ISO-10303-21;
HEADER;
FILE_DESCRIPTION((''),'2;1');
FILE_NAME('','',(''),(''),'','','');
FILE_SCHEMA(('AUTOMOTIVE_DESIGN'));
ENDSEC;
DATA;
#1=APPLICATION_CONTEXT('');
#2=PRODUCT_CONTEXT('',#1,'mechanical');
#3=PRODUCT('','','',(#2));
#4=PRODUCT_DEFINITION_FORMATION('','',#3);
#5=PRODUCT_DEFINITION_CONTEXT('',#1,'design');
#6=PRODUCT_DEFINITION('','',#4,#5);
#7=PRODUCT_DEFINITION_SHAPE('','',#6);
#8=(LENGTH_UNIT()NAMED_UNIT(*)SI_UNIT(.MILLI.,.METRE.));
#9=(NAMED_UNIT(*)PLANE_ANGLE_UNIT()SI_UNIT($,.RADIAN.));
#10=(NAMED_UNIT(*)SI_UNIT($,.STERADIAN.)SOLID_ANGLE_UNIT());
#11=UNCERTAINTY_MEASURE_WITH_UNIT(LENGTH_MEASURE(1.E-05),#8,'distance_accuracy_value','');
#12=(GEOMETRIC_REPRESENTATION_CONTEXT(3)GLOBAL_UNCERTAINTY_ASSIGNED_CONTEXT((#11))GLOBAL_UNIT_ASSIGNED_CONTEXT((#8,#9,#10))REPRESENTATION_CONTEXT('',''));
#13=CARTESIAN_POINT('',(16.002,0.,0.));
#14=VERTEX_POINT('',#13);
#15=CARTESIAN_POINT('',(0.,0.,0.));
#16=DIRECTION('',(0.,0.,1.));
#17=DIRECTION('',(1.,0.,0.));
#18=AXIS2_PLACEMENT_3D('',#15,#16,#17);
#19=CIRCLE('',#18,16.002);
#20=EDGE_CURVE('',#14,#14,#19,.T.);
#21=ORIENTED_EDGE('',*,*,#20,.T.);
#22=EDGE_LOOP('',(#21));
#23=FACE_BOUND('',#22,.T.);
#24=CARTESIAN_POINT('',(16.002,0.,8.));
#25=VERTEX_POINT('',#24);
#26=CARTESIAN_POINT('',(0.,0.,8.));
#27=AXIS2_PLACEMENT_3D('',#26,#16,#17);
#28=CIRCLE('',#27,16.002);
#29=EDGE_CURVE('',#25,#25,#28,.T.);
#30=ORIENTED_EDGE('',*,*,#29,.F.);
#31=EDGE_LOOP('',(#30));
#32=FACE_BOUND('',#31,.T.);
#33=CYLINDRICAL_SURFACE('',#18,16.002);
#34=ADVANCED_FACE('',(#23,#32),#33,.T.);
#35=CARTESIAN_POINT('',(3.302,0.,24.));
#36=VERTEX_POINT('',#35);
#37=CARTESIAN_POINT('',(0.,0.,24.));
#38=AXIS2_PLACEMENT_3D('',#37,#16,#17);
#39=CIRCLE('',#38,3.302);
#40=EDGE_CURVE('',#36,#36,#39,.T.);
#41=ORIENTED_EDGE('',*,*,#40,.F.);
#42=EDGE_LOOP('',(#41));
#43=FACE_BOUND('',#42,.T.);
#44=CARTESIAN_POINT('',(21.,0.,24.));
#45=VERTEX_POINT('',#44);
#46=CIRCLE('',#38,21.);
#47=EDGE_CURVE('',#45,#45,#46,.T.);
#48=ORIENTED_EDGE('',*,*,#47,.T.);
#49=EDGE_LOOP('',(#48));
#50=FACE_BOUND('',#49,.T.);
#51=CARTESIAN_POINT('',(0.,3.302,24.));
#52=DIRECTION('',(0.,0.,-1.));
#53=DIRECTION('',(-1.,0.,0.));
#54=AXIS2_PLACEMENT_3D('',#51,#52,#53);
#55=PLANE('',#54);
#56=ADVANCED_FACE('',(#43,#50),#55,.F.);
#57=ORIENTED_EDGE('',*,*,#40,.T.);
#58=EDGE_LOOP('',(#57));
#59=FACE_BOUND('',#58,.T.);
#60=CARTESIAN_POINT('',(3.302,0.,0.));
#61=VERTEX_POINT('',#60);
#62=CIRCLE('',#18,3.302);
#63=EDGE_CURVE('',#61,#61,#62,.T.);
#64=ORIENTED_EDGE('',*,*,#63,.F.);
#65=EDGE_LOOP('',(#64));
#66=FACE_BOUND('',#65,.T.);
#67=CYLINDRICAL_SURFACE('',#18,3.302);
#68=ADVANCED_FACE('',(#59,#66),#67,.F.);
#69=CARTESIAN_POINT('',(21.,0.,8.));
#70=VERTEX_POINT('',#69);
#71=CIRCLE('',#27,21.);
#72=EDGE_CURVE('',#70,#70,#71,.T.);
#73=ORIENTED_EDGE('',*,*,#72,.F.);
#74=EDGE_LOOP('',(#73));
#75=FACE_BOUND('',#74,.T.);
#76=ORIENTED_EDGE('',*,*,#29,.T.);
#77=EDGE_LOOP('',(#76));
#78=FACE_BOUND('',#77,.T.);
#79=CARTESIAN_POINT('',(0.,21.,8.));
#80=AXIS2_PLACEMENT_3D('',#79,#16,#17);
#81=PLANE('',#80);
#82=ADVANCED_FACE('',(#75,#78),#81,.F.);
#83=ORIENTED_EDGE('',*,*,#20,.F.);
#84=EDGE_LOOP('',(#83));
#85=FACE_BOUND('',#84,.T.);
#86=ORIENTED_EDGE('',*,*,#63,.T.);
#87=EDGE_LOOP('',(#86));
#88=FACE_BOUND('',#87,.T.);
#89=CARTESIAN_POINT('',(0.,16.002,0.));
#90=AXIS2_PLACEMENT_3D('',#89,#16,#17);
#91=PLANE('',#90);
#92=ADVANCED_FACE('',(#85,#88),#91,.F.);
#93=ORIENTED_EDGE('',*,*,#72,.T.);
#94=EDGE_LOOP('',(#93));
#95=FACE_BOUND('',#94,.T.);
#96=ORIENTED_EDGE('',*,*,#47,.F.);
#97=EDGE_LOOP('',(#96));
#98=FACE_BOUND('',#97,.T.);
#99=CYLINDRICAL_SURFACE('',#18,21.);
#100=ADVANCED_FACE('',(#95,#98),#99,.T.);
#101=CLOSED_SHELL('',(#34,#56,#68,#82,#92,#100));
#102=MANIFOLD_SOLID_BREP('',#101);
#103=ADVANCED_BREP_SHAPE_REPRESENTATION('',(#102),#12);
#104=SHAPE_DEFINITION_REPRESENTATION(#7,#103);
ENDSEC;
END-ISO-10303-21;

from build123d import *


with BuildPart() as part:
    # Sketch1 → Revolve1 (revolve)
    with BuildSketch(Plane(origin=(0, 0, 0), x_dir=(0, 0, -1), z_dir=(1, 0, 0)), mode=Mode.PRIVATE) as revolve1_sk:
        Polygon((0, 3.302), (-24, 3.302), (-24, 21), (-8, 21), (-8, 16.002), (0, 16.002), align=None)
    revolve(revolve1_sk.sketch.rotate(Axis((0, 0, 0), (0, 0, -1)), 90), axis=Axis((0, 0, 0), (0, 0, -1)))


solid = part.part
